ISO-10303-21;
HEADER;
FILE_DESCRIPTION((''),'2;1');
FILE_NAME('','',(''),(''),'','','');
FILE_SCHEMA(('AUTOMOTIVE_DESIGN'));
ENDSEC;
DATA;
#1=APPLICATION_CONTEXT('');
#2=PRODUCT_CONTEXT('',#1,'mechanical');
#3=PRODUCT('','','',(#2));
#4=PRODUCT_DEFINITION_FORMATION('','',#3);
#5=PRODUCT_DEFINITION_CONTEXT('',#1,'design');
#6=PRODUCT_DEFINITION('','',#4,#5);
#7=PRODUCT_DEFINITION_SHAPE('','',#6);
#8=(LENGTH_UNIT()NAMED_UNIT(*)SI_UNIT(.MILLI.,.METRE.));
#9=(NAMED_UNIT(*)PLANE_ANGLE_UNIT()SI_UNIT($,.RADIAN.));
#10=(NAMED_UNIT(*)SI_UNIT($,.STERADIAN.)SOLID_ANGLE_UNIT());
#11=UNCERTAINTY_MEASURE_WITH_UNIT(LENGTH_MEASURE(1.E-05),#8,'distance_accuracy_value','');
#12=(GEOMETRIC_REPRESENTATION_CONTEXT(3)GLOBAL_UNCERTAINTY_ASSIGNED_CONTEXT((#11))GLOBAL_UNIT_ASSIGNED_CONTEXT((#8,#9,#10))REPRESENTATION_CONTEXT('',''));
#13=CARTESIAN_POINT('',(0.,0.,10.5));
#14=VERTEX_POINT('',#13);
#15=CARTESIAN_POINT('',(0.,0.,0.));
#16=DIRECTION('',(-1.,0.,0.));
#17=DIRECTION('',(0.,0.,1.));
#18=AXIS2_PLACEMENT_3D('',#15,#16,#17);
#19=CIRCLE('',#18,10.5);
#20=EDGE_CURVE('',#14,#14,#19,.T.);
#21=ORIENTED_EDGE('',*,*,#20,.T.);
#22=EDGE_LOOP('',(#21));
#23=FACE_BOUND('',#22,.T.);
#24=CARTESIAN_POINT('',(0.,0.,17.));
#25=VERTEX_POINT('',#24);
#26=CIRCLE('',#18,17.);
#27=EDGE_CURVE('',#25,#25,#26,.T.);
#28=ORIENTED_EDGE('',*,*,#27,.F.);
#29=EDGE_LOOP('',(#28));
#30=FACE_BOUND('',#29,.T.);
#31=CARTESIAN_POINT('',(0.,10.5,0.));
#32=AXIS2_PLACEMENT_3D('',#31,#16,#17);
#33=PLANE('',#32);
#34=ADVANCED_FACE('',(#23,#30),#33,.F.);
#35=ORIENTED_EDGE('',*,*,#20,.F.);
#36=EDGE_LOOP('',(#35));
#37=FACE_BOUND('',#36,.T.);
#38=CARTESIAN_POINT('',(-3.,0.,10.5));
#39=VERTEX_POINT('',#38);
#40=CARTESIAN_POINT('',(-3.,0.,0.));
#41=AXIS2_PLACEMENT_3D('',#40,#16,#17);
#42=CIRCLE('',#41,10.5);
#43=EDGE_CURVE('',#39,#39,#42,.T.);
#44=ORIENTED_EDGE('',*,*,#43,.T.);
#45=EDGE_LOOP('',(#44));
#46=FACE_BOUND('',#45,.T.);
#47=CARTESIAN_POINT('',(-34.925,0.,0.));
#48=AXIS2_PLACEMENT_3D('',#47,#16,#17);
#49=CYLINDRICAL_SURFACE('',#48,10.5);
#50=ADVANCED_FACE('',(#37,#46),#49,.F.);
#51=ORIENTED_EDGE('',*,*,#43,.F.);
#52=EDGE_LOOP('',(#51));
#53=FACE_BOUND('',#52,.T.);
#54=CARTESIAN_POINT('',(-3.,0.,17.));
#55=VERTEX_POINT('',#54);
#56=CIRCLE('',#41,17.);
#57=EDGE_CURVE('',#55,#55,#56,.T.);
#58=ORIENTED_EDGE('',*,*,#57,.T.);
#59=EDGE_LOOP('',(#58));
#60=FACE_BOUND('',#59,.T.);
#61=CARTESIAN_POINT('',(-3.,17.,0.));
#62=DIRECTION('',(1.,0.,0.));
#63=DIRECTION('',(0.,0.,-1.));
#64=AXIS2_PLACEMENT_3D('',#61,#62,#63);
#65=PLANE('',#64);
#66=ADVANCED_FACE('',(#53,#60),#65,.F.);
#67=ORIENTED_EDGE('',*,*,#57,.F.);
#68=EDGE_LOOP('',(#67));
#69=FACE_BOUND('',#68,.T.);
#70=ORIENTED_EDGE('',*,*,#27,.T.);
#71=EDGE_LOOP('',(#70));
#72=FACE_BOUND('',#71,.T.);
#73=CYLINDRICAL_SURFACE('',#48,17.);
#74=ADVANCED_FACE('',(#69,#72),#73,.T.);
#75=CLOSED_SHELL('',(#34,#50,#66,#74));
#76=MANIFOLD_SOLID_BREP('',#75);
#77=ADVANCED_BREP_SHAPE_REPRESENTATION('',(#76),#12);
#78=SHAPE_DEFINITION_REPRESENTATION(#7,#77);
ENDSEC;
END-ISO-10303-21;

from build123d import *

# Parameters (mm, degrees)
SKETCH1_W = 3
SKETCH1_H = 6.5


with BuildPart() as part:
    # Sketch1 → Base-Revolve (revolve)
    with BuildSketch(Plane.XY, mode=Mode.PRIVATE) as base_revolve_sk:
        with Locations((-1.5, 13.75)):
            Rectangle(SKETCH1_W, SKETCH1_H)
    revolve(base_revolve_sk.sketch.rotate(Axis((-34.925, 0, 0), (1, 0, 0)), 90), axis=Axis((-34.925, 0, 0), (1, 0, 0)))


solid = part.part
